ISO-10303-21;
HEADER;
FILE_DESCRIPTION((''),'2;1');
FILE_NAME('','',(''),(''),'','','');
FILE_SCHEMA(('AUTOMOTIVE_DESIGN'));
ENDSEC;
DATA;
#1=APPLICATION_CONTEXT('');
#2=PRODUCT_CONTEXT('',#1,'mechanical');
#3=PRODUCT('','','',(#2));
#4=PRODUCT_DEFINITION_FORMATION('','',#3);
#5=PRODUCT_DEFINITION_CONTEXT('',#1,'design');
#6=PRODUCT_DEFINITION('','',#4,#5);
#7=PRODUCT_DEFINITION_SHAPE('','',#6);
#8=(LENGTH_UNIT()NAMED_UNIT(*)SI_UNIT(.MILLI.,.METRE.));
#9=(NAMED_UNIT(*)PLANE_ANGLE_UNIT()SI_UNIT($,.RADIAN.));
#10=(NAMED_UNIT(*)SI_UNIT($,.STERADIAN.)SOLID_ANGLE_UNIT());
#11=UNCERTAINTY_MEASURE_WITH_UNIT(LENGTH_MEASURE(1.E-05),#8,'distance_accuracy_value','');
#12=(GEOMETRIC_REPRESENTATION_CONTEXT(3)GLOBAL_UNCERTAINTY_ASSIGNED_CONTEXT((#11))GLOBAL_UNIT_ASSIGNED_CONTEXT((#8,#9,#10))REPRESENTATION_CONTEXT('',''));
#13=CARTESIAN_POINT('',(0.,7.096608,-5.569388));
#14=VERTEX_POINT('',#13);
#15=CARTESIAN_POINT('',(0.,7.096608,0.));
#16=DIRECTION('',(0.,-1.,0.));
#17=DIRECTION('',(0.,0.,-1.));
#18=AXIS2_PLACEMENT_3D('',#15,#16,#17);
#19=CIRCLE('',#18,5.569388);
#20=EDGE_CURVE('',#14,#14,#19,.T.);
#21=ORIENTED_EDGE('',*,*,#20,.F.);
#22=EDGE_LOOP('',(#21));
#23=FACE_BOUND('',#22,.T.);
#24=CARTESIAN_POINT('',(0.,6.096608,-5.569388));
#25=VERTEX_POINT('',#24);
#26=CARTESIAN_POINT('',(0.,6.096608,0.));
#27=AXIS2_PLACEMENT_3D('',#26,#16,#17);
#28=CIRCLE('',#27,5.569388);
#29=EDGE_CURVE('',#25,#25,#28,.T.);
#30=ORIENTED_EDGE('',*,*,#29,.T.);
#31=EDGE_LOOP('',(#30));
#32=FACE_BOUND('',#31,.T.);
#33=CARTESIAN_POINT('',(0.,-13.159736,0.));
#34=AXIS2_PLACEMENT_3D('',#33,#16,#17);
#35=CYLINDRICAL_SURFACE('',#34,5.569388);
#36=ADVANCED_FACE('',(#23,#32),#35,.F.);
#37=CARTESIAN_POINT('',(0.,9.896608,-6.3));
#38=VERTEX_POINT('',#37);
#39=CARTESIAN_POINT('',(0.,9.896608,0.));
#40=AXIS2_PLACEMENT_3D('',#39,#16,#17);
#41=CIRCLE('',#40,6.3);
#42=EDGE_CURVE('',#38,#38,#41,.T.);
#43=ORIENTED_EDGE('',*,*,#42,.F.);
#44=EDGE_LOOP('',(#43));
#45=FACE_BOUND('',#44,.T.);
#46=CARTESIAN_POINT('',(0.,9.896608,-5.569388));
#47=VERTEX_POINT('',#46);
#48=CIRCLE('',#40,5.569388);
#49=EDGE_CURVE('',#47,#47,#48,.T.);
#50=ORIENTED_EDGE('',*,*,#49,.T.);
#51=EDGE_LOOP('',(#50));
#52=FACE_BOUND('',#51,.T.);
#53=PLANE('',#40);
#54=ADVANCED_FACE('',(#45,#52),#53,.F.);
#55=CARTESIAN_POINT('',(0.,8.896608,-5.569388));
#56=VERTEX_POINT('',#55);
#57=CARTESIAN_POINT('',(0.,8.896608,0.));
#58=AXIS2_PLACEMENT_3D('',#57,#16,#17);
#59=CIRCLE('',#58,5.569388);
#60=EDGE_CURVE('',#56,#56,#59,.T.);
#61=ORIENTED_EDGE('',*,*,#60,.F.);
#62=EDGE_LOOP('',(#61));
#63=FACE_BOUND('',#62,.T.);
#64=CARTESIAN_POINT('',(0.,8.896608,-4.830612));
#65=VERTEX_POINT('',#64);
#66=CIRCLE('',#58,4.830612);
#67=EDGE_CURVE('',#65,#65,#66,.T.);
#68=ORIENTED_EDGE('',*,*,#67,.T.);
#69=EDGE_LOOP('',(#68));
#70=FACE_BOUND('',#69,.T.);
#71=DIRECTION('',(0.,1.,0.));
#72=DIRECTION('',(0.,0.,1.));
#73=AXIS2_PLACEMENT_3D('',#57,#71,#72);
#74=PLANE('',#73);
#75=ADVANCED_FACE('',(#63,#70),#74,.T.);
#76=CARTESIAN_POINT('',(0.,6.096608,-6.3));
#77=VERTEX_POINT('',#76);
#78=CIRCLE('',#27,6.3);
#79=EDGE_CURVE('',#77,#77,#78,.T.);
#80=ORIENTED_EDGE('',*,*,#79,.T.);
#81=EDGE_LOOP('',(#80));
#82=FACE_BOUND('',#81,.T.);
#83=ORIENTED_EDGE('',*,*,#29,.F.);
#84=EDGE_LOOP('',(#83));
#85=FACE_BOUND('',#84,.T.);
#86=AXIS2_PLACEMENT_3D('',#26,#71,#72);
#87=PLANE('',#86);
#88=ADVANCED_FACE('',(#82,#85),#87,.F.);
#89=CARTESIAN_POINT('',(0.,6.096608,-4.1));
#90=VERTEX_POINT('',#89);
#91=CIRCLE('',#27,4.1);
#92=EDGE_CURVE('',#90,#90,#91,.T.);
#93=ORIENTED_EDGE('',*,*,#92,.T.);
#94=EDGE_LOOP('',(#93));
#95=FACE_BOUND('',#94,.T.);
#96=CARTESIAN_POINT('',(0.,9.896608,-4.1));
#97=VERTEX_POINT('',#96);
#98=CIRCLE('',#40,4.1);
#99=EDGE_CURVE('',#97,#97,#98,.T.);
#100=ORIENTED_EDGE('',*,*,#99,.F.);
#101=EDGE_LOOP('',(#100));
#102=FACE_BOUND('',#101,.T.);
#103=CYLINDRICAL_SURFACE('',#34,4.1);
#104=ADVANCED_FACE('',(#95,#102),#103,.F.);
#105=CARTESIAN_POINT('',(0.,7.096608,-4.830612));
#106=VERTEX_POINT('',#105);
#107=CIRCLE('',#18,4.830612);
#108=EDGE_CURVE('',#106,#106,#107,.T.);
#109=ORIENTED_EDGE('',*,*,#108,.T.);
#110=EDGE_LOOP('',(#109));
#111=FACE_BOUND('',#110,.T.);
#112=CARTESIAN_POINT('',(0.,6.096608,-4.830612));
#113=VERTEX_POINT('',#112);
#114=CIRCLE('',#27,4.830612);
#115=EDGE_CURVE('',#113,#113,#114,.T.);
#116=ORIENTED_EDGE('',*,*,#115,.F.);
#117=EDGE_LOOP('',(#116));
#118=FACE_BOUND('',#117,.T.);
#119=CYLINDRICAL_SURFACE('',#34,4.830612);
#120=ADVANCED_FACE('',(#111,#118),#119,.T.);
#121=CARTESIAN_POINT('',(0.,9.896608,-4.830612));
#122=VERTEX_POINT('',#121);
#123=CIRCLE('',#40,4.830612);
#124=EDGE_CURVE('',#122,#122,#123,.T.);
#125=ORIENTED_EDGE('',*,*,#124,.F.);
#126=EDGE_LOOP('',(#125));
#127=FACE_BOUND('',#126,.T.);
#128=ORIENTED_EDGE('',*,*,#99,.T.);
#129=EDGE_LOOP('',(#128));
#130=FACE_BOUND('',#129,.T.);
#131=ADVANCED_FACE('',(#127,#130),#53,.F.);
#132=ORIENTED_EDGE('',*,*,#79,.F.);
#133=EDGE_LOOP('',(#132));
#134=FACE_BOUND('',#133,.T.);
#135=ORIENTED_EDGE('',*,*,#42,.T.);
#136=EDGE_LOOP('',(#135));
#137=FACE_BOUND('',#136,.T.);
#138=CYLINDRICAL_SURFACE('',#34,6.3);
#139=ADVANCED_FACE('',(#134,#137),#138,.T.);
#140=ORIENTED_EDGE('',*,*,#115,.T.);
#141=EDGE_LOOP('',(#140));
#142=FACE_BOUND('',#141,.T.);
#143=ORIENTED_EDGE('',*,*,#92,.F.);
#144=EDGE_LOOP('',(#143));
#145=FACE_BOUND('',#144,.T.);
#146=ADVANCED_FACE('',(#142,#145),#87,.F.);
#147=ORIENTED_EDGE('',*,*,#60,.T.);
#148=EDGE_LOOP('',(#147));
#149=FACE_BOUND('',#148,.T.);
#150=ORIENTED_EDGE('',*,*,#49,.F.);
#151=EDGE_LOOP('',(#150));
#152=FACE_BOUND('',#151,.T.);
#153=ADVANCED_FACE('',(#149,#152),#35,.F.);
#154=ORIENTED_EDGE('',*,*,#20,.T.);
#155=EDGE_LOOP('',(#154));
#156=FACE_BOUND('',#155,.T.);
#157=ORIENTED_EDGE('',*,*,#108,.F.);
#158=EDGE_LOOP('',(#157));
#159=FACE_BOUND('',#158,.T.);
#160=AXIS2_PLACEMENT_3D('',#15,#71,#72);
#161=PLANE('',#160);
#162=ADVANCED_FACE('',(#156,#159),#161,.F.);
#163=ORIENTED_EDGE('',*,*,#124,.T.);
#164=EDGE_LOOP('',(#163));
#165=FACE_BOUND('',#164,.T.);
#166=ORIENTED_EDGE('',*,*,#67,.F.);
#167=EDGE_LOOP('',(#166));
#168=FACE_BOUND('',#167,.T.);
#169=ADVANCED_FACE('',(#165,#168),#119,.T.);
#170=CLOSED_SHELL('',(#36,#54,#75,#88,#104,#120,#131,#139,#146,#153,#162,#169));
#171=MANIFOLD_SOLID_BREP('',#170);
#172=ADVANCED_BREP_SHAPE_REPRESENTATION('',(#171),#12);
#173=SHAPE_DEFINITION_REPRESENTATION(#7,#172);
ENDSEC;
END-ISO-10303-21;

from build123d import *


with BuildPart() as part:
    # Sketch1 → Revolve1 (revolve)
    with BuildSketch(Plane.XY, mode=Mode.PRIVATE) as revolve1_sk:
        Polygon((5.569387755, 6.096608289), (6.3, 6.096608289), (6.3, 9.896608289), (5.569387755, 9.896608289), (5.569387755, 8.896608289), (4.830612245, 8.896608289), (4.830612245, 9.896608289), (4.1, 9.896608289), (4.1, 6.096608289), (4.830612245, 6.096608289), (4.830612245, 7.096608289), (5.569387755, 7.096608289), align=None)
    revolve(revolve1_sk.sketch.rotate(Axis((0, -13.159735934, 0), (0, 1, 0)), 90), axis=Axis((0, -13.159735934, 0), (0, 1, 0)))


solid = part.part
